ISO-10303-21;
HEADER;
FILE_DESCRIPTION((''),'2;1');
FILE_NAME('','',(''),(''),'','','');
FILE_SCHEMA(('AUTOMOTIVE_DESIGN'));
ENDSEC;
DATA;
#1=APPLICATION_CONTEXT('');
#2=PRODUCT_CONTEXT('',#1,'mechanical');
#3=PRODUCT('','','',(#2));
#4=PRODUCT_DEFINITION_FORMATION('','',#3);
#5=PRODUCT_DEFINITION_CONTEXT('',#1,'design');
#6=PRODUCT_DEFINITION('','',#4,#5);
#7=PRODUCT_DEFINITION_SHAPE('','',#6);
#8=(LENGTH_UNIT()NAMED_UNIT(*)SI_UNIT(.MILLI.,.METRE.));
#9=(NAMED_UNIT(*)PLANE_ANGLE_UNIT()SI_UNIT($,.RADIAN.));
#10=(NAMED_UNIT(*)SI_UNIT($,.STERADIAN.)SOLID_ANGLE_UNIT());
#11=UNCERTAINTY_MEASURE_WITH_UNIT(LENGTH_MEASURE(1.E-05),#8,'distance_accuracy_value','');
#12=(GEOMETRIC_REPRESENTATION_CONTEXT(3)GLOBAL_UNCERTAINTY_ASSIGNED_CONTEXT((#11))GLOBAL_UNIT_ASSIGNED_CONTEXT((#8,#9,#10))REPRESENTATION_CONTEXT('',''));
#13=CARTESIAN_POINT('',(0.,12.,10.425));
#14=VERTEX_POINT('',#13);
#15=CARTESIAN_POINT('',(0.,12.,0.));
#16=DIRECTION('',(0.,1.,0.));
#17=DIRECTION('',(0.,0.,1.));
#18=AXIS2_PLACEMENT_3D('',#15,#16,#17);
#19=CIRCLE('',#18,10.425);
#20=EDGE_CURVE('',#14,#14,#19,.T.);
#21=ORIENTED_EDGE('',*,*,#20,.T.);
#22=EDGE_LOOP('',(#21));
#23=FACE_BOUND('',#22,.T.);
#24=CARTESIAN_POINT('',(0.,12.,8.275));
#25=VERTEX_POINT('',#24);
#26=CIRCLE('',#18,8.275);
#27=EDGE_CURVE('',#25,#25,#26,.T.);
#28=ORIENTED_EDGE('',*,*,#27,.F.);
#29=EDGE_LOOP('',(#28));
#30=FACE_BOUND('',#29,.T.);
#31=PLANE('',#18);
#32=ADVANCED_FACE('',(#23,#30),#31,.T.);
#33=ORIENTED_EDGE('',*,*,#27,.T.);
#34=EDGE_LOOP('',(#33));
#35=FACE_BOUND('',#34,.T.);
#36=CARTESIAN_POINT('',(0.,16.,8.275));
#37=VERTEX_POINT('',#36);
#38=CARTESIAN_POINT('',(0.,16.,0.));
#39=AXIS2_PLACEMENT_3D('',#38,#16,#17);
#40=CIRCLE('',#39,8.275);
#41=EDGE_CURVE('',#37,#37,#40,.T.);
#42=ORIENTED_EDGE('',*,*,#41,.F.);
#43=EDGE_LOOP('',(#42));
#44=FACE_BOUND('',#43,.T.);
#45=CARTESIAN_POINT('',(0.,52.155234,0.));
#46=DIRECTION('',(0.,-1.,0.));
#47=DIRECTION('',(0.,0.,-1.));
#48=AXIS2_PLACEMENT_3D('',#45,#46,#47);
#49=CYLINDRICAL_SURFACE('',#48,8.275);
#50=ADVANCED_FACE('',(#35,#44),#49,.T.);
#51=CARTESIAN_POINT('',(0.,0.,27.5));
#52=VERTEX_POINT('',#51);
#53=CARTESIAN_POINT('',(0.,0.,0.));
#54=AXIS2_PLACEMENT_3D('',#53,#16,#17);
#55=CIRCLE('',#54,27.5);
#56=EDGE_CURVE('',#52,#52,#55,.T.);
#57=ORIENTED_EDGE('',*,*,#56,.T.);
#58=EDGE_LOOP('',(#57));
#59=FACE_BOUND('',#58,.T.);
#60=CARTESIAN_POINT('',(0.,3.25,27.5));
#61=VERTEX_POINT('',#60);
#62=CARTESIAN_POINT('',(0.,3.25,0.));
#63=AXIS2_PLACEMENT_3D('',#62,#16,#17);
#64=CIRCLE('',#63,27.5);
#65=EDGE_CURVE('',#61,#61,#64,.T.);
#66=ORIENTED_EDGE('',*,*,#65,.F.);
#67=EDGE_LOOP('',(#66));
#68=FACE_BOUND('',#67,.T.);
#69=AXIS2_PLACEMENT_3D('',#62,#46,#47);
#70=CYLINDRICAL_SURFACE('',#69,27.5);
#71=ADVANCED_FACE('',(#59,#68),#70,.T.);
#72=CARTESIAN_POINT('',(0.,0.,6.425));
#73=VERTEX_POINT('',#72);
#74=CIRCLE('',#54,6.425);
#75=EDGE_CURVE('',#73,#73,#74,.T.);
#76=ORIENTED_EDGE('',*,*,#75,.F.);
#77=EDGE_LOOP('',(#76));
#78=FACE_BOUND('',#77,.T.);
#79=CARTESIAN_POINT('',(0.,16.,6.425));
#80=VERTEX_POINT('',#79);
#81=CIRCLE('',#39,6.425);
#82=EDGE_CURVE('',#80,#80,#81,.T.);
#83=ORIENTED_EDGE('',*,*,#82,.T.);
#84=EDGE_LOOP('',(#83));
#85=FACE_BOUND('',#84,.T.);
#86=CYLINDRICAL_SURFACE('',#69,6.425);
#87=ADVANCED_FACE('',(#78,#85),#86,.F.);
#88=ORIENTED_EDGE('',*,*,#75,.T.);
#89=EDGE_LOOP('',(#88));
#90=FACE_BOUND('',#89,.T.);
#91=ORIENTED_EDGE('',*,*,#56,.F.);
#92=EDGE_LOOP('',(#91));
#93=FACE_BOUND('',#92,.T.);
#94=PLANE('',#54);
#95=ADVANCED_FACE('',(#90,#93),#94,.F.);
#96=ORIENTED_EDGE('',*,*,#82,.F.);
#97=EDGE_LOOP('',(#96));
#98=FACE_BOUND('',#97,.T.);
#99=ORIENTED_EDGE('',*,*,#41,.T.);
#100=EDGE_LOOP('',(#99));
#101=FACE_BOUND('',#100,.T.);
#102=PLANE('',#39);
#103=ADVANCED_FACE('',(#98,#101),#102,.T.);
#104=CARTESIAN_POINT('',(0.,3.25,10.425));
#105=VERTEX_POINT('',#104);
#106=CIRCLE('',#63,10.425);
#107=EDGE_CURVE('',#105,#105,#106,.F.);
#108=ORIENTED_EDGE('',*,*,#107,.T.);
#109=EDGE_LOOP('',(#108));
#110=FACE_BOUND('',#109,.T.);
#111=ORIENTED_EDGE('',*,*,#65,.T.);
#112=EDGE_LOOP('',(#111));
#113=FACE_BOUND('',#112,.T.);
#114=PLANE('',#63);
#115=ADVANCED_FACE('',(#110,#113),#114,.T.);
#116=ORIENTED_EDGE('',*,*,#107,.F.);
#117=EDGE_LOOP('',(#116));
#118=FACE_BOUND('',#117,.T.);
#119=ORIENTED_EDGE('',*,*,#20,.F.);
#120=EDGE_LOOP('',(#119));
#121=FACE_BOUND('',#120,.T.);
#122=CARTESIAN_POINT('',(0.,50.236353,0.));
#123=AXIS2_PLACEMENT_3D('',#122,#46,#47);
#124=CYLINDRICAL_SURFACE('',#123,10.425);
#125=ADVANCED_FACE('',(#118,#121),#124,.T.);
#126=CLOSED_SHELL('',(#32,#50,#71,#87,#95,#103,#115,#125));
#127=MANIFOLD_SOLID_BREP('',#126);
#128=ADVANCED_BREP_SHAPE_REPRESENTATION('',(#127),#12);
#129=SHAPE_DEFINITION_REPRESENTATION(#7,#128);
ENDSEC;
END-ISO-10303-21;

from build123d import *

# Parameters (mm, degrees)
BASE_R              = 27.5
BASE_R_2            = 10.425
BASE_R_3            = 6.425
BASE_R_4            = 8.275
BOSS_EXTRUDE1_DEPTH = 3.25
BASE_4_R            = 8.275
BASE_4_R_2          = 6.425
BOSS_EXTRUDE2_DEPTH = 16
BASE_5_R            = 10.425
BASE_5_R_2          = 8.275
BOSS_EXTRUDE3_DEPTH = 12


with BuildPart() as part:
    # Base → Boss-Extrude1 (new body)
    with BuildSketch(Plane(origin=(0, 0, 0), x_dir=(1, 0, 0), z_dir=(0, 1, 0))):
        Circle(BASE_R)
        Circle(BASE_R_2, mode=Mode.SUBTRACT)
        Circle(BASE_R_2)
        Circle(BASE_R_3, mode=Mode.SUBTRACT)
        Circle(BASE_R_4)
        Circle(BASE_R_3, mode=Mode.SUBTRACT)
    extrude(amount=BOSS_EXTRUDE1_DEPTH)

    # Base_4 → Boss-Extrude2 (add)
    with BuildSketch(Plane(origin=(0, 0, 0), x_dir=(1, 0, 0), z_dir=(0, 1, 0))):
        Circle(BASE_4_R)
        Circle(BASE_4_R_2, mode=Mode.SUBTRACT)
    extrude(amount=BOSS_EXTRUDE2_DEPTH)

    # Base_5 → Boss-Extrude3 (add)
    with BuildSketch(Plane(origin=(0, 0, 0), x_dir=(1, 0, 0), z_dir=(0, 1, 0))):
        Circle(BASE_5_R)
        Circle(BASE_5_R_2, mode=Mode.SUBTRACT)
    extrude(amount=BOSS_EXTRUDE3_DEPTH)


solid = part.part
